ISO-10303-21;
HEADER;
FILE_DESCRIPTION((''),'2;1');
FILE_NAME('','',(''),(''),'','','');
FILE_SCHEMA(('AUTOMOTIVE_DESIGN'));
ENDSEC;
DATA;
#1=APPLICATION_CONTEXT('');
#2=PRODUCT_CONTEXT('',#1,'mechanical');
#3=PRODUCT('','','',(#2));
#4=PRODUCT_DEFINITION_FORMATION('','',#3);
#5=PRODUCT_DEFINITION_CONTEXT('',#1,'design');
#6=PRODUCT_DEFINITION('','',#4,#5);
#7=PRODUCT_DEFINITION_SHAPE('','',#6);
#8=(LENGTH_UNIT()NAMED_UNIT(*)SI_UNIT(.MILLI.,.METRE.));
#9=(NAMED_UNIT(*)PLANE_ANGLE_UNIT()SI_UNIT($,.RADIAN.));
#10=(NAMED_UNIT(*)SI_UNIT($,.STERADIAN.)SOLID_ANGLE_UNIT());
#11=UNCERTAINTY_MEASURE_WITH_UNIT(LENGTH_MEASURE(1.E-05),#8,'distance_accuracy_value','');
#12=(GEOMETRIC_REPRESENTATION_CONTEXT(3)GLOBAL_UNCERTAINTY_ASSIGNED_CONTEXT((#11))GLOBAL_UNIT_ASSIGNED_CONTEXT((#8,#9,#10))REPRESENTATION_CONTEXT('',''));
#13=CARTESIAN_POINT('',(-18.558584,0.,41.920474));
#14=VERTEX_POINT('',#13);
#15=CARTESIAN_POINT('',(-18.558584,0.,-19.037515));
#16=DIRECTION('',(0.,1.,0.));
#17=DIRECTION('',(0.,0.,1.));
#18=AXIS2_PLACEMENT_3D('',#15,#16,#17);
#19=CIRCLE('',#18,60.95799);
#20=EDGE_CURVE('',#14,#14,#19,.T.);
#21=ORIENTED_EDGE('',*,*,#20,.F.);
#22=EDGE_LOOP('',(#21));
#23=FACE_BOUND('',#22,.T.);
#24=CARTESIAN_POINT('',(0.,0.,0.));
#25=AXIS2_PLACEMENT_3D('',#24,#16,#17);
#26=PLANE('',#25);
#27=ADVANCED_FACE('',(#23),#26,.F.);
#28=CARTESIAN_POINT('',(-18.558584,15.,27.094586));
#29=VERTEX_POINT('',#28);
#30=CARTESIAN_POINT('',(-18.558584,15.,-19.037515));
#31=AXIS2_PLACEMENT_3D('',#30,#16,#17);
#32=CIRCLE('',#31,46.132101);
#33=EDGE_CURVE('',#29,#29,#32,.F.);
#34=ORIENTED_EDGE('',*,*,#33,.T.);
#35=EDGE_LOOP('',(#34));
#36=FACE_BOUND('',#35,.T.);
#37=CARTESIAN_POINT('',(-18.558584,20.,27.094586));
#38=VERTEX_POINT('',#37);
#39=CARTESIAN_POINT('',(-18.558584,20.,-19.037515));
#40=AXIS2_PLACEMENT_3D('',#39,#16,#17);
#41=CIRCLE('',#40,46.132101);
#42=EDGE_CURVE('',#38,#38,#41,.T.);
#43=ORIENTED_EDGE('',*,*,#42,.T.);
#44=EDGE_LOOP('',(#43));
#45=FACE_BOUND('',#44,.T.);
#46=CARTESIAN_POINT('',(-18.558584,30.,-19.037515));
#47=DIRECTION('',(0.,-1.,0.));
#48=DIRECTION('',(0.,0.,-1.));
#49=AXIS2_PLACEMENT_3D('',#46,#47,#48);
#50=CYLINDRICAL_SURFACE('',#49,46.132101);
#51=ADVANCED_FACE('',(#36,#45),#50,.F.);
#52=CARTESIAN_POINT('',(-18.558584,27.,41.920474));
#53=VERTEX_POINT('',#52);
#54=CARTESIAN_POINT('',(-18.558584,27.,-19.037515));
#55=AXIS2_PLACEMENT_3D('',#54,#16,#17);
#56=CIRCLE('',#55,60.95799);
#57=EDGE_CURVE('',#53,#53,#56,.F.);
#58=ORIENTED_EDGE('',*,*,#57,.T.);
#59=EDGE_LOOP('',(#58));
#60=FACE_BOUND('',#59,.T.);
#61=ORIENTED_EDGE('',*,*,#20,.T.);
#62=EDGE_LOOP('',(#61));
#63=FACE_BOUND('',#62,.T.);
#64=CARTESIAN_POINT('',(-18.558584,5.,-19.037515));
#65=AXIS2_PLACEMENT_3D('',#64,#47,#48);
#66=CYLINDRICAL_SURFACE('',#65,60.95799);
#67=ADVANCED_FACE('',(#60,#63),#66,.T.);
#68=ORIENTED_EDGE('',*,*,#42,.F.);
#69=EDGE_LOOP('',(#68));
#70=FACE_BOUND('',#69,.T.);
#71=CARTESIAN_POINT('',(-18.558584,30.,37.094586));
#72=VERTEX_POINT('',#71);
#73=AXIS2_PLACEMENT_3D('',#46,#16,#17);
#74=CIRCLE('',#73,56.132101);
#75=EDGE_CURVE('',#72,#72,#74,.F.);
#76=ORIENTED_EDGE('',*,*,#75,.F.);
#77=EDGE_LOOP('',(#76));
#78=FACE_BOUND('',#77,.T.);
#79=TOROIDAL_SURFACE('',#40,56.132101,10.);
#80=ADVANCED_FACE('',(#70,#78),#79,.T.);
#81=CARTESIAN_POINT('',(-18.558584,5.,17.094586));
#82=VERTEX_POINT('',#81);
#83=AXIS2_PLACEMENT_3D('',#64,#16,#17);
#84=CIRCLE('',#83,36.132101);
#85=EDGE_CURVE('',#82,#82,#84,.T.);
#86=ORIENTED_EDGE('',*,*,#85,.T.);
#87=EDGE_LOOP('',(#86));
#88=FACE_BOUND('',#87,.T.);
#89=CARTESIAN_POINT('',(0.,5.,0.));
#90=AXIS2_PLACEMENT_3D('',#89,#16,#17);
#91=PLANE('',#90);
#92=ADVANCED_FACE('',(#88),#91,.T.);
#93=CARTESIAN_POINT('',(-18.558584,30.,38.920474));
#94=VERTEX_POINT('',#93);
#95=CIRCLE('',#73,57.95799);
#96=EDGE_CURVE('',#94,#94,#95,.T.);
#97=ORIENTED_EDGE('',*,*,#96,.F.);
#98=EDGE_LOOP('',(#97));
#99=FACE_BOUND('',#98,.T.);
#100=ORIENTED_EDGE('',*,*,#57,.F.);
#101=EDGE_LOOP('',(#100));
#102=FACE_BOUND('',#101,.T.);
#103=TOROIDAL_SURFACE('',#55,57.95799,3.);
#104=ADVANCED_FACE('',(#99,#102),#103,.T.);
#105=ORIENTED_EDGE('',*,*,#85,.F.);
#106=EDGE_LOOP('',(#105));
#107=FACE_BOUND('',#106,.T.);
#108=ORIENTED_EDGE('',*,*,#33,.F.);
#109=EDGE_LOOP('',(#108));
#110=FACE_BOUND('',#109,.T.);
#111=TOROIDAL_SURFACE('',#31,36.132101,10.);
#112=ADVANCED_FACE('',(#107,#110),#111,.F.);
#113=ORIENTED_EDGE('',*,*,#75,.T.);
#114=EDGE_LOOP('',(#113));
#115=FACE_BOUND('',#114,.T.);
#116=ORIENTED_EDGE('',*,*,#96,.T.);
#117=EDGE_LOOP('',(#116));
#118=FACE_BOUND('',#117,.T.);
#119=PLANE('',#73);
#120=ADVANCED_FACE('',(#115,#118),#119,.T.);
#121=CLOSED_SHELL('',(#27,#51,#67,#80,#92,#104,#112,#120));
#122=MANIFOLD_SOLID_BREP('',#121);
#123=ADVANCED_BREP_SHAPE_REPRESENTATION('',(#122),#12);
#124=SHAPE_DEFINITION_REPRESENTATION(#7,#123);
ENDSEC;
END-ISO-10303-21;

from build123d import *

# Parameters (mm, degrees)
SKETCH1_R           = 60.957989534
BOSS_EXTRUDE1_DEPTH = 5
SKETCH1_4_R         = 60.957989534
SKETCH1_4_R_2       = 46.132101341
BOSS_EXTRUDE2_DEPTH = 30
FILLET2_R           = 10
FILLET3_R           = 10
FILLET5_R           = 3


with BuildPart() as part:
    # Sketch1 → Boss-Extrude1 (new body)
    with BuildSketch(Plane(origin=(0, 0, 0), x_dir=(1, 0, 0), z_dir=(0, 1, 0))):
        with Locations((-18.5585839, 19.037515097)):
            Circle(SKETCH1_R)
    extrude(amount=BOSS_EXTRUDE1_DEPTH)

    # Sketch1<4> → Boss-Extrude2 (add)
    with BuildSketch(Plane(origin=(0, 0, 0), x_dir=(1, 0, 0), z_dir=(0, 1, 0))):
        with Locations((-18.5585839, 19.037515097)):
            Circle(SKETCH1_4_R)
        with Locations((-18.5585839, 19.037515097)):
            Circle(SKETCH1_4_R_2, mode=Mode.SUBTRACT)
    extrude(amount=BOSS_EXTRUDE2_DEPTH)

    # Fillet2
    fillet2_edges = [part.edges().sort_by_distance(p)[0] for p in [
        (-64.69068524, 5, -19.037515097),
    ]]
    fillet(fillet2_edges, radius=FILLET2_R)

    # Fillet3
    fillet3_edges = [part.edges().sort_by_distance(p)[0] for p in [
        (-64.69068524, 30, -19.037515097),
    ]]
    fillet(fillet3_edges, radius=FILLET3_R)

    # Fillet5
    fillet5_edges = [part.edges().sort_by_distance(p)[0] for p in [
        (-79.516573434, 30, -19.037515097),
    ]]
    fillet(fillet5_edges, radius=FILLET5_R)


solid = part.part
